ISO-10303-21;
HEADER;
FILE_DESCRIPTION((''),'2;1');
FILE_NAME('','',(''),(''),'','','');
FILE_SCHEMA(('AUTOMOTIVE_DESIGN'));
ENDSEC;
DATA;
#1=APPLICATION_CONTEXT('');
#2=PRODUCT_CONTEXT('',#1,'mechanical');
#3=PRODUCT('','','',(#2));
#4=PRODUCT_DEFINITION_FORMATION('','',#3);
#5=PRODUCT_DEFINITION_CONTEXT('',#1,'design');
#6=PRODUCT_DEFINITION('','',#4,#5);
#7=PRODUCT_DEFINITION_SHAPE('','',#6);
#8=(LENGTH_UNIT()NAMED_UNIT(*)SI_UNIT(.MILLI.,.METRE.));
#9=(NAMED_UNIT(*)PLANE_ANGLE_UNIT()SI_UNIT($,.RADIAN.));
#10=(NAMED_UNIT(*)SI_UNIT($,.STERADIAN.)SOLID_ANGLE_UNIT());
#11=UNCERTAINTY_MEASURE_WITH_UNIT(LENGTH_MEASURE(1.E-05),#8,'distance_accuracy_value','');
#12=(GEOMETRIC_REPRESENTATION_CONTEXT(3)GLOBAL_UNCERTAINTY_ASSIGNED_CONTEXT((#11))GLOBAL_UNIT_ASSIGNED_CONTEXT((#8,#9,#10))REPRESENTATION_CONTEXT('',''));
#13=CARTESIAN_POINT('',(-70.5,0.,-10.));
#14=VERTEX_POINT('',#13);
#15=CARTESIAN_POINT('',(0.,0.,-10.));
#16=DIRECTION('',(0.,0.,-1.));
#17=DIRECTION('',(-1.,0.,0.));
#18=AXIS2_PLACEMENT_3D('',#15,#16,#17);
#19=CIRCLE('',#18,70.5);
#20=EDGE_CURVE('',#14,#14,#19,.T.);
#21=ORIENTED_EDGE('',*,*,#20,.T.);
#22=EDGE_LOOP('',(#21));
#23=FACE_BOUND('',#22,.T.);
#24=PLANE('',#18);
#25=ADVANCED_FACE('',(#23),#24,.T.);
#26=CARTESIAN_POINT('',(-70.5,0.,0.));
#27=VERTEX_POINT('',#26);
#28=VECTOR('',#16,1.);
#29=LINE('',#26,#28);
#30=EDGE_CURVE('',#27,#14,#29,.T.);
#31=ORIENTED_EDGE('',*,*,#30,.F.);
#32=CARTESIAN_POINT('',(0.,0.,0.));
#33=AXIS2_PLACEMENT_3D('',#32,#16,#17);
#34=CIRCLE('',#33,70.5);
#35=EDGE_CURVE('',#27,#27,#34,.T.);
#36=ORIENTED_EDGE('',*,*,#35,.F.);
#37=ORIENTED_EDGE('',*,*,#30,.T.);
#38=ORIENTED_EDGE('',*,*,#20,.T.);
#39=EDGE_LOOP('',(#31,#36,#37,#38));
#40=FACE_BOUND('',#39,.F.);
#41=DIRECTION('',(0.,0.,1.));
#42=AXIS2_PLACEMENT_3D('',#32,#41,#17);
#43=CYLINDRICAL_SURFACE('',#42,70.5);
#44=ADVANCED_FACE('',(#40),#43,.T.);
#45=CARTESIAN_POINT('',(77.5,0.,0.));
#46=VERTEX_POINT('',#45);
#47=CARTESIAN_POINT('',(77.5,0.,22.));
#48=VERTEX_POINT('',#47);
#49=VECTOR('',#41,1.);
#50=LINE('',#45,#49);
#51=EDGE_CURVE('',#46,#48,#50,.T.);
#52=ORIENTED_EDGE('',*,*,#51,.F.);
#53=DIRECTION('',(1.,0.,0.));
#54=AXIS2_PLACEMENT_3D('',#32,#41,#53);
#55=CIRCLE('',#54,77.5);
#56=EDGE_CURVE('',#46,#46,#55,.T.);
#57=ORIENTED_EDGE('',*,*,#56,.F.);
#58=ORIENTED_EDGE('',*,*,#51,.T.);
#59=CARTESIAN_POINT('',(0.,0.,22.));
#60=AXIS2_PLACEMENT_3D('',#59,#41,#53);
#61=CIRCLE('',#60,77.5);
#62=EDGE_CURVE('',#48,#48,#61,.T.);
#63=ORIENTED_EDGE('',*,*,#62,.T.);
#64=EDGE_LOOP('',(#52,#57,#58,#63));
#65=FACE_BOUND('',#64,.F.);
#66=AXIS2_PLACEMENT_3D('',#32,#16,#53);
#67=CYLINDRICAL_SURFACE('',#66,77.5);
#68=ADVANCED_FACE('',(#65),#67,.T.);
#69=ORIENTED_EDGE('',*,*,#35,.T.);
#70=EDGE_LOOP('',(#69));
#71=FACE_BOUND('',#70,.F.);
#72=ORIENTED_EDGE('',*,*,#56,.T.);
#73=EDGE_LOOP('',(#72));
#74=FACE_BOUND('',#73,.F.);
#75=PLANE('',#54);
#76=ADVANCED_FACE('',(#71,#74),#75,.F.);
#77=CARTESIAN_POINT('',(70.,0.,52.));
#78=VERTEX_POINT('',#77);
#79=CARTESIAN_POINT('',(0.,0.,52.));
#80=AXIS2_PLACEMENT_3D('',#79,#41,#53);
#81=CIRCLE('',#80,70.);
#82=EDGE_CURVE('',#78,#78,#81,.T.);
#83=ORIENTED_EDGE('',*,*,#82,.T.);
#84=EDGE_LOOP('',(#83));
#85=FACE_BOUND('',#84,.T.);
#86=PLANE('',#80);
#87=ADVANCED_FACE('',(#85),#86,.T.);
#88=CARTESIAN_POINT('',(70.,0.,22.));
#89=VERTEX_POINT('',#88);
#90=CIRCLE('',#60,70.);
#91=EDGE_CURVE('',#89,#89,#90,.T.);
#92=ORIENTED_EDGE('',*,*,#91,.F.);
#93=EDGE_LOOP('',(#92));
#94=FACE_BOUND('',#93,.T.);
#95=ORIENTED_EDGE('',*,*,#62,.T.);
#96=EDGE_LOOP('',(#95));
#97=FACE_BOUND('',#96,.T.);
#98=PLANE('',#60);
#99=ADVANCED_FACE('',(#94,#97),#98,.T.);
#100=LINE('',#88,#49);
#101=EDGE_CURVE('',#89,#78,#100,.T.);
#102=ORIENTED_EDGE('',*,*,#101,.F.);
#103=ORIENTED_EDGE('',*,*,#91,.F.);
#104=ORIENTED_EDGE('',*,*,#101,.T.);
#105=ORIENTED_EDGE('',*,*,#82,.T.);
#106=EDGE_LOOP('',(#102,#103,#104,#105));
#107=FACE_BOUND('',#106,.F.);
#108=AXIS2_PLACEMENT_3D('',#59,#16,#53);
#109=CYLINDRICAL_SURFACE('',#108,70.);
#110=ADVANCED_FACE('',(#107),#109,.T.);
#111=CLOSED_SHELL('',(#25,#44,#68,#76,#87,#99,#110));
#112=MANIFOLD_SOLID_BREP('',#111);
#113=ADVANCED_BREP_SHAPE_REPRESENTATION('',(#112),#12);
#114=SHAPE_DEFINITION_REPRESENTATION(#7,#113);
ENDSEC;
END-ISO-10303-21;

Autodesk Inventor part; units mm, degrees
ref_plane "YZ Plane" through (0, 0, 0) normal (1, 0, 0) x (0, 1, 0)
ref_plane "XZ Plane" through (0, 0, 0) normal (0, 1, 0) x (-1, 0, 0)
ref_plane "XY Plane" through (0, 0, 0) normal (0, 0, 1) x (1, 0, 0)
sketch "Эскиз1" plane through (0, 0, 0) normal (0, 0, 1) x (1, 0, 0)
  circle A0 centre (0, 0) radius 77.5
  dimension "d0" = 155
extrude "Выдавливание1" add sketch "Эскиз1" along normal blind 22
sketch "Эскиз2" plane through (0, 0, 22) normal (0, 0, 1) x (1, 0, 0)
  circle A0 centre (0, 0) radius 70
  dimension "d3" = 140
extrude "Выдавливание2" add sketch "Эскиз2" along normal blind 30
sketch "Эскиз3" plane through (0, 0, 0) normal (0, 0, -1) x (-1, 0, 0)
  circle A0 centre (0, 0) radius 70.5
  dimension "d6" = 141
extrude "Выдавливание3" add sketch "Эскиз3" along normal blind 10
properties part number "Клапан 2" material "Сталь нержавеющая, 440C"
